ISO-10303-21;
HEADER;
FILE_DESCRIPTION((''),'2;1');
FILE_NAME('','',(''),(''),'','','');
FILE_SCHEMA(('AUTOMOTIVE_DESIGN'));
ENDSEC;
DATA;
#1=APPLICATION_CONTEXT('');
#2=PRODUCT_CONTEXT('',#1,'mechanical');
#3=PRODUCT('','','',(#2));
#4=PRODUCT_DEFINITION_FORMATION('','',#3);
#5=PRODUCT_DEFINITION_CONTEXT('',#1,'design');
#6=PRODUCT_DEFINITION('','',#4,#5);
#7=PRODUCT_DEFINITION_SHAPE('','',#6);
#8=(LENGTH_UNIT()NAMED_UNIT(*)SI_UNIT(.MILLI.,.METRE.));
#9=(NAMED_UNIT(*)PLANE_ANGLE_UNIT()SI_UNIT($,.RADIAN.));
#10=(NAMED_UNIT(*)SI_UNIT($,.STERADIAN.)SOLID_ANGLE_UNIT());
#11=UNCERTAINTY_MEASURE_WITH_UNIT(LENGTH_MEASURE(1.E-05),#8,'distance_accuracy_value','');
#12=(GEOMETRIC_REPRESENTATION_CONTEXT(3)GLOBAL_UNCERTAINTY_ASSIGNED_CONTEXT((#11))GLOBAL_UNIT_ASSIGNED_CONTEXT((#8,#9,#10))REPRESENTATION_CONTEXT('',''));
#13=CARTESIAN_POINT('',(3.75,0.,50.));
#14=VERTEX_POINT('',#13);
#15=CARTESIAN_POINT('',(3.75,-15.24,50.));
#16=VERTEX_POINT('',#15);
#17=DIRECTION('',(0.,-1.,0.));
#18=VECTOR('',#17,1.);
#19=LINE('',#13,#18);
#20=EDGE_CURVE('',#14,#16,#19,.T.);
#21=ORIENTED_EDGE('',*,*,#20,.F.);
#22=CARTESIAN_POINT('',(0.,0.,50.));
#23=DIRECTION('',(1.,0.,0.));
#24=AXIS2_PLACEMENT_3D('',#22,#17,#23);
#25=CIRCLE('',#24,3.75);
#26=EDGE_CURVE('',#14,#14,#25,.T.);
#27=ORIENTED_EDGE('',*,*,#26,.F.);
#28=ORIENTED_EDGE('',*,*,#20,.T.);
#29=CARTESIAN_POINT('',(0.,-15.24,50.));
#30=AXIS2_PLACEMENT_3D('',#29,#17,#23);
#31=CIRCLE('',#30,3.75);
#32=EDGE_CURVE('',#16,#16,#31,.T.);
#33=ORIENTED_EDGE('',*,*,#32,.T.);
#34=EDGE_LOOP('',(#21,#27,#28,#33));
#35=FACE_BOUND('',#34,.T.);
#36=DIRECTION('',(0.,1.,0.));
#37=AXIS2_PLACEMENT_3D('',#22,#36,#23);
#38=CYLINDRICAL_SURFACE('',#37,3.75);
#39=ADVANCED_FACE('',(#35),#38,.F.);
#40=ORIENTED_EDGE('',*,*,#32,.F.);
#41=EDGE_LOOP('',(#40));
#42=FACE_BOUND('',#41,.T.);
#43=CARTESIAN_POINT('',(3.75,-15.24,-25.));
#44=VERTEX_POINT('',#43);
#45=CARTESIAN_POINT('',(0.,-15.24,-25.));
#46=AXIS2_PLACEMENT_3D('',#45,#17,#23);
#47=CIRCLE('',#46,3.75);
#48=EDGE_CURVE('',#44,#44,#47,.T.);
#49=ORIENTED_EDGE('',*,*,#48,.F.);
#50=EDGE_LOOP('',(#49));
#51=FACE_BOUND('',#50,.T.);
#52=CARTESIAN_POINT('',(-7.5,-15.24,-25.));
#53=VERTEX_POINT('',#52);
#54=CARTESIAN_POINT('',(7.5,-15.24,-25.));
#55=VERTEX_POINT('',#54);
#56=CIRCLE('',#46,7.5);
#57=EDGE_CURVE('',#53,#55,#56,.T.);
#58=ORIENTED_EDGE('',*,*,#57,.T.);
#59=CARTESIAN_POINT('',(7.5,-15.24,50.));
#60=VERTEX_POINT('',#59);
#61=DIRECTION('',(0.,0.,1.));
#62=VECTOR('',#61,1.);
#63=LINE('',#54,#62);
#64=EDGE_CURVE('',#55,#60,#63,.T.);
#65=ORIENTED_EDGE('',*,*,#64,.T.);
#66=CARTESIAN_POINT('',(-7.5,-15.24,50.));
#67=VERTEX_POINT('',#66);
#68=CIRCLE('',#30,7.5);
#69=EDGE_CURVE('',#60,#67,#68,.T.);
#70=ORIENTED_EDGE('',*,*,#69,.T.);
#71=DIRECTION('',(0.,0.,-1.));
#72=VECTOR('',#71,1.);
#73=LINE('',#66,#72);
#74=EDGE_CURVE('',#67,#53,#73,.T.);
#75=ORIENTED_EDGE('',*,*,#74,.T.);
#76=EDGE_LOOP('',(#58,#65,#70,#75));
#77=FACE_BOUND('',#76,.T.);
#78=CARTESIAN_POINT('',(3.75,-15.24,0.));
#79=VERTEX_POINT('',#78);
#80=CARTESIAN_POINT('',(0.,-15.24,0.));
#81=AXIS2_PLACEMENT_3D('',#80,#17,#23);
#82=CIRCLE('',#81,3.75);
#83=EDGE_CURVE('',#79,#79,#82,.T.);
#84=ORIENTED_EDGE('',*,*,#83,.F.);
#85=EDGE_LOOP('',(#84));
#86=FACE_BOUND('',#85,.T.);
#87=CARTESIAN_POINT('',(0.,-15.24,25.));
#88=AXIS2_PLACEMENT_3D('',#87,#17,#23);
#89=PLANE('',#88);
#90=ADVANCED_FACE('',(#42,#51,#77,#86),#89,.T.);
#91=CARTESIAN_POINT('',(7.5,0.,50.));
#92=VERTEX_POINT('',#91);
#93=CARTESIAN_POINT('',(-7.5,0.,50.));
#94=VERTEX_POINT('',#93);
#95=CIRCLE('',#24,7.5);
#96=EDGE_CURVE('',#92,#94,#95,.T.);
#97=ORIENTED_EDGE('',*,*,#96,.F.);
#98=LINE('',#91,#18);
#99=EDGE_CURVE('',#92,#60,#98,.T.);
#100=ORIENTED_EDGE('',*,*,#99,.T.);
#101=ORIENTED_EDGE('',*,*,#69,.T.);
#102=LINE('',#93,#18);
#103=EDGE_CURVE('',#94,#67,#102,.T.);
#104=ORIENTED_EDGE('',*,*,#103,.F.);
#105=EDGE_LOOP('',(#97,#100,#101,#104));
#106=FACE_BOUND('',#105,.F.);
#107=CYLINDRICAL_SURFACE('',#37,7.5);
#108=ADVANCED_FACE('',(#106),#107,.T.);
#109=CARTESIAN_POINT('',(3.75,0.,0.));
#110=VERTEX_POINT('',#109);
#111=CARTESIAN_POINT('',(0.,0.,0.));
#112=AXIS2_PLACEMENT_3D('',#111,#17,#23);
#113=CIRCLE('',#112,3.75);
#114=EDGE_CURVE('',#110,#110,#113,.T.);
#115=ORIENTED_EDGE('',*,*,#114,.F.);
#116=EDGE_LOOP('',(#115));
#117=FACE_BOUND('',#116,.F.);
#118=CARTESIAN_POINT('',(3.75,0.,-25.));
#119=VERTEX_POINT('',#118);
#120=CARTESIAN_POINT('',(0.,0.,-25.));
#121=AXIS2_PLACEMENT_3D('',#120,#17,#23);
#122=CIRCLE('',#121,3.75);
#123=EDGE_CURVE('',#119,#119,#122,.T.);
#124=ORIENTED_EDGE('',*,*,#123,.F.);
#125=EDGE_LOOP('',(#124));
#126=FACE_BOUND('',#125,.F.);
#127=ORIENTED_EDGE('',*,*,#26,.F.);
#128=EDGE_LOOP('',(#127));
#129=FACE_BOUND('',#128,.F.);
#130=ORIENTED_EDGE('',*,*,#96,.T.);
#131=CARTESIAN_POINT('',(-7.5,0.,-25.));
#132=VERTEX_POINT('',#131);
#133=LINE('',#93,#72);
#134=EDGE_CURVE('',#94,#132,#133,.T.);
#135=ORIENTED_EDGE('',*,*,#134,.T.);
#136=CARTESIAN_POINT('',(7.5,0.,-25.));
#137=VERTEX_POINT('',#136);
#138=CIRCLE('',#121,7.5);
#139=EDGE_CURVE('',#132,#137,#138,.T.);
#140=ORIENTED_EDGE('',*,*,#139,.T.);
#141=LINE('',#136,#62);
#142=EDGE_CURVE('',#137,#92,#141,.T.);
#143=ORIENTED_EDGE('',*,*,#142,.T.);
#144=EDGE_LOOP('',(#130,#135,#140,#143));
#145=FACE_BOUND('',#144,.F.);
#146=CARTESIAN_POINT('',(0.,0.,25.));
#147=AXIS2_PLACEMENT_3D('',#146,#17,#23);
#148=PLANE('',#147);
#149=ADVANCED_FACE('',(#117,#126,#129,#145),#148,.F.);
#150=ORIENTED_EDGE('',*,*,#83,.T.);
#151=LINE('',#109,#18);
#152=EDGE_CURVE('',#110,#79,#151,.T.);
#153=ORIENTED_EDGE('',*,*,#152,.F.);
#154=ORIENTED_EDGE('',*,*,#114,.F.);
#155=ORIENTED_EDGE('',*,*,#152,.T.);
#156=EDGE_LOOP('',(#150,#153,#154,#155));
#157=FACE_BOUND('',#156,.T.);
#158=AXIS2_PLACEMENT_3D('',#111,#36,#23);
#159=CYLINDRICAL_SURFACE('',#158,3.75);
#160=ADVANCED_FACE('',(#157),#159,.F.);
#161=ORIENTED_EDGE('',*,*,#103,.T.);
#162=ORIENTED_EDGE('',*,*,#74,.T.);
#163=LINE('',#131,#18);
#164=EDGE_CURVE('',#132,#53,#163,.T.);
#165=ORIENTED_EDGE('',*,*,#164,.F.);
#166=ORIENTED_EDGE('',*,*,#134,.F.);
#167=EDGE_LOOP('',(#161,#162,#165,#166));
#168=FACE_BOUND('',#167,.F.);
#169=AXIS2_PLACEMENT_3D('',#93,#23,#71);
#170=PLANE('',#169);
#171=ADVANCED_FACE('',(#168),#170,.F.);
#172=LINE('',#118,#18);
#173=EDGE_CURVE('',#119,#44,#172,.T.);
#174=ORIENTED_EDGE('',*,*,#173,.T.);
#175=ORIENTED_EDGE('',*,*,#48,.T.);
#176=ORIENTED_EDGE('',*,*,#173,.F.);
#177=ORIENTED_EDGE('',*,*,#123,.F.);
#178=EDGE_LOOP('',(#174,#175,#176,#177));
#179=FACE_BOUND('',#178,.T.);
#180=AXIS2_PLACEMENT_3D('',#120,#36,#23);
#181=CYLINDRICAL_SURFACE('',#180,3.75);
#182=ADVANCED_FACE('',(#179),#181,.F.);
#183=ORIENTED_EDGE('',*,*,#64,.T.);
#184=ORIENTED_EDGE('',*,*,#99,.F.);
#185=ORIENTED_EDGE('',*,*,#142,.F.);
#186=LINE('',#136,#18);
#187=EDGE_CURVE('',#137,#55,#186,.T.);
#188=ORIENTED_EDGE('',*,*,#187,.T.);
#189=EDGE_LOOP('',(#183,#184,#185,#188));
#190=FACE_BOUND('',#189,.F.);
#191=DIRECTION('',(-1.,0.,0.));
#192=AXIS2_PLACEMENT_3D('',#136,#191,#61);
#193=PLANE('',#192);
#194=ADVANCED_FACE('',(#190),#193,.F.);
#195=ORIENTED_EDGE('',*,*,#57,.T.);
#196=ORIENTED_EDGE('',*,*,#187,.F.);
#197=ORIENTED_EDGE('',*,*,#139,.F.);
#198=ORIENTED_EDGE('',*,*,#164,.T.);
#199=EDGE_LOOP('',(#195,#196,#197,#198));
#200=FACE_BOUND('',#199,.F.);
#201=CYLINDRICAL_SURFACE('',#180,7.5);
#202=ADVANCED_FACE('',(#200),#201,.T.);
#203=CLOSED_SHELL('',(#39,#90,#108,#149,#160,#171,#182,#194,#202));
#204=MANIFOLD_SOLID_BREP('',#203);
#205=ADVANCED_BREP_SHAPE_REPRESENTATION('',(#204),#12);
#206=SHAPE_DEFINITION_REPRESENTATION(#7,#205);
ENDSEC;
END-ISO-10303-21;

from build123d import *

# Parameters (mm, degrees)
F0_R     = 3.75
F1_DEPTH = 15.24


with BuildPart() as f1:
    # F0 (on Front) → F1 (new body)
    with BuildSketch(Plane.XZ):
        with BuildLine():
            Line((7.5, 0), (7.5, 50))
            ThreePointArc((7.5, 50), (0, 42.5), (-7.5, 50))
            Line((-7.5, 50), (-7.5, 6.7e-09))
            ThreePointArc((-7.5, 6.7e-09), (3.4e-09, 7.5), (7.5, 0))
        make_face()
        with BuildLine():
            ThreePointArc((-7.5, 6.7e-09), (-3.4e-09, -7.5), (7.5, 0))
            ThreePointArc((7.5, 0), (3.4e-09, 7.5), (-7.5, 6.7e-09))
        make_face()
        Circle(F0_R, mode=Mode.SUBTRACT)
        with BuildLine():
            Line((7.5, -25), (7.5, 0))
            ThreePointArc((7.5, 0), (-3.4e-09, -7.5), (-7.5, 6.7e-09))
            Line((-7.5, 6.7e-09), (-7.5, -25))
            ThreePointArc((-7.5, -25), (0, -17.5), (7.5, -25))
        make_face()
        with BuildLine():
            ThreePointArc((-7.5, -25), (0, -32.5), (7.5, -25))
            ThreePointArc((7.5, -25), (0, -17.5), (-7.5, -25))
        make_face()
        with Locations((0, -25)):
            Circle(F0_R, mode=Mode.SUBTRACT)
        with BuildLine():
            ThreePointArc((-7.5, 50), (0, 42.5), (7.5, 50))
            ThreePointArc((7.5, 50), (0, 57.5), (-7.5, 50))
        make_face()
        with Locations((0, 50)):
            Circle(F0_R, mode=Mode.SUBTRACT)
    extrude(amount=F1_DEPTH)


solid = f1.part
